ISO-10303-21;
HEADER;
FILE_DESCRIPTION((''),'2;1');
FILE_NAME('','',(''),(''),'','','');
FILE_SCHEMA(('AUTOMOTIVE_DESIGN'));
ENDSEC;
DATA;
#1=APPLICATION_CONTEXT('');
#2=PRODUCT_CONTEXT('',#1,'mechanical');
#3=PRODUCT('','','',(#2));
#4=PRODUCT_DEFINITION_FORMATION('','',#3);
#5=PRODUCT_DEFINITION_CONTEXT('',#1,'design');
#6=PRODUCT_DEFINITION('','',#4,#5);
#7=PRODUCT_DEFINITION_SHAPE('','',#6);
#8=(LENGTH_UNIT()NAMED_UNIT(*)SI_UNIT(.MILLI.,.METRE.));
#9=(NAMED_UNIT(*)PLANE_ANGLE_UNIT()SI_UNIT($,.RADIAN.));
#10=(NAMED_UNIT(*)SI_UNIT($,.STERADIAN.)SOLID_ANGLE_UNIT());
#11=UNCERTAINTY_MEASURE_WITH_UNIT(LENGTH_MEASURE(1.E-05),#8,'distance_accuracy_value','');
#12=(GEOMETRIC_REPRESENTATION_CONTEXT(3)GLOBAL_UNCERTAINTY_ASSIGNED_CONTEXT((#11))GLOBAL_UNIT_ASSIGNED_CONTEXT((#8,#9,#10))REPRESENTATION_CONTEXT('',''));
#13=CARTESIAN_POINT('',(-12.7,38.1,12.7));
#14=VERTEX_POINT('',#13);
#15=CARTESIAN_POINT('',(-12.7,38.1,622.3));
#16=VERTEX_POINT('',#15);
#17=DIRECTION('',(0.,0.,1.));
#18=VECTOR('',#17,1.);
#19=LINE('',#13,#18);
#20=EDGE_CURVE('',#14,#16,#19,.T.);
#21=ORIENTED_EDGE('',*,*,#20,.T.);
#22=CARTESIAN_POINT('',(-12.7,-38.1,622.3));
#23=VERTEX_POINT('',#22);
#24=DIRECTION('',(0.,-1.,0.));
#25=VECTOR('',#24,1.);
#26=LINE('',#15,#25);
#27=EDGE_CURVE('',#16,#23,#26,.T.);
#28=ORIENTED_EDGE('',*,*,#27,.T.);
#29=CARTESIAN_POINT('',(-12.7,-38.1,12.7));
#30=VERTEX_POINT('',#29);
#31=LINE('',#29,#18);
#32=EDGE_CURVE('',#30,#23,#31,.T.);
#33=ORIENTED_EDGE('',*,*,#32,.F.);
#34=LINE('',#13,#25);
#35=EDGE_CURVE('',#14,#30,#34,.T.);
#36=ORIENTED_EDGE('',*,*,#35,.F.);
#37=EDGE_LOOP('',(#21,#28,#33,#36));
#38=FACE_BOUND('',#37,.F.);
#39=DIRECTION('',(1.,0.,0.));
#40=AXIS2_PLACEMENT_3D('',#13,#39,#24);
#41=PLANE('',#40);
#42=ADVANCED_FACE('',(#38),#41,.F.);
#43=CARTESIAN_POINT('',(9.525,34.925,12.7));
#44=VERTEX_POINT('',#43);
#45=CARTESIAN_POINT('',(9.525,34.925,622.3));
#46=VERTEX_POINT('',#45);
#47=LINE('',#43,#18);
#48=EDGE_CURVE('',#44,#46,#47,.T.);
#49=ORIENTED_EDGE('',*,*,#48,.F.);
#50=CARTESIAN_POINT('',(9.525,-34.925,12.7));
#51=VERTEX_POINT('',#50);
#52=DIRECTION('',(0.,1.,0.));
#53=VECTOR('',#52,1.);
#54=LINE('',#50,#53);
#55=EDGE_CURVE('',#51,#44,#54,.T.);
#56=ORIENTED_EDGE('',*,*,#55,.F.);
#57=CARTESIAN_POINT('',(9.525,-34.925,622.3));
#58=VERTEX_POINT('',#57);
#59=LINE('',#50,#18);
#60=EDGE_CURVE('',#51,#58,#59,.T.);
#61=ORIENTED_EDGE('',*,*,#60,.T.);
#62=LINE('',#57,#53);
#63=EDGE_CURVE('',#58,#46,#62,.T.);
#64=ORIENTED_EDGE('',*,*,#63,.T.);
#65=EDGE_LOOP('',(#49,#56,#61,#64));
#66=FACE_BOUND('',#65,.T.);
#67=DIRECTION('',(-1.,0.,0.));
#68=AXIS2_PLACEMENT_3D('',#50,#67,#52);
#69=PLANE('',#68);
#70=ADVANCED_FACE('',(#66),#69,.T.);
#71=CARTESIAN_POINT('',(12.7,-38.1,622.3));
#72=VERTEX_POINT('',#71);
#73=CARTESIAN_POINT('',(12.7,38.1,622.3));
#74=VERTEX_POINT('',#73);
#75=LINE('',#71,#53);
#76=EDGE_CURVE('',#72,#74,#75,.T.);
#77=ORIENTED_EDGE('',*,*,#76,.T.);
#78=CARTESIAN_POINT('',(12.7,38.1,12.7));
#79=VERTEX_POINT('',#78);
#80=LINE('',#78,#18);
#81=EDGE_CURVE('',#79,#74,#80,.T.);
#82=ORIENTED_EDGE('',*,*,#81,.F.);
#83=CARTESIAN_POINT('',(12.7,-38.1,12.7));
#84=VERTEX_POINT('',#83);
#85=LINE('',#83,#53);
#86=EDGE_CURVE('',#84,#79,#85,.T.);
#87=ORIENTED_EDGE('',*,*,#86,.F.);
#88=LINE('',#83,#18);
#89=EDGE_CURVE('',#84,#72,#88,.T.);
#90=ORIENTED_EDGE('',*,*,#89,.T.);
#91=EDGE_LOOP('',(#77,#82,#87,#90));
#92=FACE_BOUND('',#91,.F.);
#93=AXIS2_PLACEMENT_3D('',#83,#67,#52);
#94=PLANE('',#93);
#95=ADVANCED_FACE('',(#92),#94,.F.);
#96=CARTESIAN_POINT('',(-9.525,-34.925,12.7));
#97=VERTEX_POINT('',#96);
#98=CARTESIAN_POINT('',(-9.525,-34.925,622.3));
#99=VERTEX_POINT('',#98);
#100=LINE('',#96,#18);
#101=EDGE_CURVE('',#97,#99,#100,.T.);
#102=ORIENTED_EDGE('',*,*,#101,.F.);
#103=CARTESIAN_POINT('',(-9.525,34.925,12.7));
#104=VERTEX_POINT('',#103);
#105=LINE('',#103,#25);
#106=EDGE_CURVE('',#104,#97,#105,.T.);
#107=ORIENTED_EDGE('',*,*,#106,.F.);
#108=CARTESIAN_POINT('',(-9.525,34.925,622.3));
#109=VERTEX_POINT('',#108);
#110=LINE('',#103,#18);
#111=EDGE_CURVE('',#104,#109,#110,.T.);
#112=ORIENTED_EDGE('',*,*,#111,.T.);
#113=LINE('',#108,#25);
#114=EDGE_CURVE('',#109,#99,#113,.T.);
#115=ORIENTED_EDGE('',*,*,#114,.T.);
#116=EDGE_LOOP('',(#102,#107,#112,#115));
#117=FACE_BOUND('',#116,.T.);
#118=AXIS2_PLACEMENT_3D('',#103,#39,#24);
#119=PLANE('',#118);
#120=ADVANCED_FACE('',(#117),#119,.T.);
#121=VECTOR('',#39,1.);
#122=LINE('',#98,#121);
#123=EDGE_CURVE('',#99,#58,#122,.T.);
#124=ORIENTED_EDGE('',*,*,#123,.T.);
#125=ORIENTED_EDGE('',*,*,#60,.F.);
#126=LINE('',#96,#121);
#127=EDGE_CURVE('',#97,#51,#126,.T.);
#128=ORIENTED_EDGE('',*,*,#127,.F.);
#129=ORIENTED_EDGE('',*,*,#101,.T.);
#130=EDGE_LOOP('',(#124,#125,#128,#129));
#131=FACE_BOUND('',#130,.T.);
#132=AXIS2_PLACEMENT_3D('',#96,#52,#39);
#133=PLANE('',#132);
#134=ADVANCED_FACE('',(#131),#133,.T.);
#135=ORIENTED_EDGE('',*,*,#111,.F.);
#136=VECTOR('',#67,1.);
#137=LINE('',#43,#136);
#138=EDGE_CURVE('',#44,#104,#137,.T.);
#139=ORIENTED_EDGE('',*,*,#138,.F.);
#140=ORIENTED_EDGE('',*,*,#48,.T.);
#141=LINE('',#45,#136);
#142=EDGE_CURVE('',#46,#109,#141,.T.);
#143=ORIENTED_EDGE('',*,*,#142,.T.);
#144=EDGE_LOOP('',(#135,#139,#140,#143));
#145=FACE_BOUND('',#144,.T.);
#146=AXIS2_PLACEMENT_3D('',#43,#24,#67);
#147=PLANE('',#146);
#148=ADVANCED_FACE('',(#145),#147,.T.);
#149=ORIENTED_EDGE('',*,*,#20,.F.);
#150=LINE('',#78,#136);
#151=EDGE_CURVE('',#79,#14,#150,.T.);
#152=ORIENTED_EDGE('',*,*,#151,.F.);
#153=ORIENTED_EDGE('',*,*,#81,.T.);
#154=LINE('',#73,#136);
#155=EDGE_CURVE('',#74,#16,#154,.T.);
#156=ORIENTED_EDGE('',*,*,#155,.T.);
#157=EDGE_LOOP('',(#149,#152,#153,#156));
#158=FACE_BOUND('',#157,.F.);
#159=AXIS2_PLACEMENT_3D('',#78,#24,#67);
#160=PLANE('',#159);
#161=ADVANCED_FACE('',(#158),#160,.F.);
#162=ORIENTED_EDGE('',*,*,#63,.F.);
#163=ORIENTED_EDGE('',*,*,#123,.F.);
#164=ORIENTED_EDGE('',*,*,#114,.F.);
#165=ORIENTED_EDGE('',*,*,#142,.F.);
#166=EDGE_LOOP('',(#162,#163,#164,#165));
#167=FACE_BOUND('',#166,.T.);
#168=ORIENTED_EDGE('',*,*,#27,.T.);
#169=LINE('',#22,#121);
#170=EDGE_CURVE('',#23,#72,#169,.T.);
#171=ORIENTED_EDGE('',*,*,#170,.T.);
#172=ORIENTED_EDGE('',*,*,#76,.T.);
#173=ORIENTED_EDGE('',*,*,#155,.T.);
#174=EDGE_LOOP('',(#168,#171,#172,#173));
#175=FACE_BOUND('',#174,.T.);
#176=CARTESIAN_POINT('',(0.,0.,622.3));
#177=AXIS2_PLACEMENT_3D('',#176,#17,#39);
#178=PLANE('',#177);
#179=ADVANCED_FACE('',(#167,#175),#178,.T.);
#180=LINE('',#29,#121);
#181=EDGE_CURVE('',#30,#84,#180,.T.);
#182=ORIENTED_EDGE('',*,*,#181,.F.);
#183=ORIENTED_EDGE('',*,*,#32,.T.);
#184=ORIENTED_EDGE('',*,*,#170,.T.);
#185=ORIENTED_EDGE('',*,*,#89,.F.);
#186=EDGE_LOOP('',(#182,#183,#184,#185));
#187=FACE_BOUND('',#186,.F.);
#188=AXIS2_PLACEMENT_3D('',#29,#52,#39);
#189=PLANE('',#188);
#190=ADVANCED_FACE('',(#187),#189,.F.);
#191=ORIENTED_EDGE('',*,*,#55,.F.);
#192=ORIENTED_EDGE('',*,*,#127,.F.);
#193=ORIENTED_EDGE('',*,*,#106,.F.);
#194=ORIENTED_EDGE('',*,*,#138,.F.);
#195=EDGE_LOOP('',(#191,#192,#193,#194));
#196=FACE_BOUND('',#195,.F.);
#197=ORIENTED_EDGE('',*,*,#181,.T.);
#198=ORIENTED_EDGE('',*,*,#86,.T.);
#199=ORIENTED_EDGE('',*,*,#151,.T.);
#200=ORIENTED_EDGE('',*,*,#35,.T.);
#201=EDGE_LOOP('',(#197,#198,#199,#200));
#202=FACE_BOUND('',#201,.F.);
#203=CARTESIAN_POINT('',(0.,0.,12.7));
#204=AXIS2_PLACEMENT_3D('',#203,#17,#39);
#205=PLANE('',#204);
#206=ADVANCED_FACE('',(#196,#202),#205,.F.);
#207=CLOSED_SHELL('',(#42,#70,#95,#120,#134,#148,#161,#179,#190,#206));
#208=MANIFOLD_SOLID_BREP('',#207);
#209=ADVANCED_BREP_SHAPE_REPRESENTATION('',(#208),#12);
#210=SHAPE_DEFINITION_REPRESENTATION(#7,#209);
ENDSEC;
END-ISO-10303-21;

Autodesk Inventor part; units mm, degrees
ref_plane "Start Plane" through (0, 0, 12.7) normal (0, 0, 1) x (1, 0, 0)
ref_plane "End Plane" through (0, 0, 622.3) normal (0, 0, 1) x (1, 0, 0)
sketch "Sketch" plane through (0, 0, 0) normal (0, 0, 1) x (1, 0, 0)
  line L0 (-12.7, -38.1) -> (12.7, -38.1)
  line L1 (12.7, -38.1) -> (12.7, 38.1)
  line L2 (12.7, 38.1) -> (-12.7, 38.1)
  line L3 (-12.7, 38.1) -> (-12.7, -38.1)
  line L4 (-12.7, -38.1) -> (12.7, 38.1) construction
  line L5 (12.7, -38.1) -> (-12.7, 38.1) construction
  line L6 (-9.525, -34.925) -> (9.525, -34.925)
  line L7 (9.525, -34.925) -> (9.525, 34.925)
  line L8 (9.525, 34.925) -> (-9.525, 34.925)
  line L9 (-9.525, 34.925) -> (-9.525, -34.925)
  line L10 (-9.525, -34.925) -> (9.525, 34.925) construction
  line L11 (9.525, -34.925) -> (-9.525, 34.925) construction
  point P0 (0, 0)
  dimension "d0" = 25.4
  dimension "d1" = 76.2
  dimension "d2" = 3.175
  dimension "d3" = 3.175
extrude "Body" add sketch "Sketch" along normal up to surface (609.6 mm away) from surface at 12.7
sketch "Sketch6" plane through (0, 0, 0) normal (0, 0, 1) x (1, 0, 0)
  line L0 (0, 0) -> (10, 0)
ref_plane "Work Plane5" through (0, 0, 0) normal (0, -1, 0) x (1, 0, 0)
sketch "Sketch7" plane through (0, 0, 0) normal (0, -1, 0) x (1, 0, 0)
  line L0 (-2, 12.7) -> (12, 12.7)
  line L1 (-2, 622.3) -> (12, 622.3)
  dimension "d11" = 609.6
ref_plane "Work Plane6" through (524.7029, -38.1, 12.7) normal (0, 0, -1) x (-1, 0, 0)
split "Split1" plane through (524.7029, -38.1, 12.7) removes the side toward (0, 0, -1)
ref_plane "Work Plane7" through (-203.2, -38.1, 622.3) normal (0, 0, 1) x (1, 0, 0)
split "Split2" plane through (-203.2, -38.1, 622.3) removes the side toward (0, 0, 1)
equation "\"d0\" = Width"
equation "\"d1\" = Height"
equation "\"d2\" = Thickness"
equation "\"d3\" = Thickness"
equation "\"Height\" = 76.2"
equation "\"Width\" = 25.4"
equation "\"Thickness\" = 3.175"
equation "\"BaseLength\" = 635"
equation "\"G_OFFSET_START\" = -12.7"
equation "\"G_OFFSET_END\" = -12.7"
equation "\"d6\" = -G_OFFSET_START"
equation "\"d7\" = BaseLength + G_OFFSET_END"
equation "\"G_L\" = d11"
properties part number "AL RECT TUBE 3 x 1 x 0.125" material "Aluminum 6061"
